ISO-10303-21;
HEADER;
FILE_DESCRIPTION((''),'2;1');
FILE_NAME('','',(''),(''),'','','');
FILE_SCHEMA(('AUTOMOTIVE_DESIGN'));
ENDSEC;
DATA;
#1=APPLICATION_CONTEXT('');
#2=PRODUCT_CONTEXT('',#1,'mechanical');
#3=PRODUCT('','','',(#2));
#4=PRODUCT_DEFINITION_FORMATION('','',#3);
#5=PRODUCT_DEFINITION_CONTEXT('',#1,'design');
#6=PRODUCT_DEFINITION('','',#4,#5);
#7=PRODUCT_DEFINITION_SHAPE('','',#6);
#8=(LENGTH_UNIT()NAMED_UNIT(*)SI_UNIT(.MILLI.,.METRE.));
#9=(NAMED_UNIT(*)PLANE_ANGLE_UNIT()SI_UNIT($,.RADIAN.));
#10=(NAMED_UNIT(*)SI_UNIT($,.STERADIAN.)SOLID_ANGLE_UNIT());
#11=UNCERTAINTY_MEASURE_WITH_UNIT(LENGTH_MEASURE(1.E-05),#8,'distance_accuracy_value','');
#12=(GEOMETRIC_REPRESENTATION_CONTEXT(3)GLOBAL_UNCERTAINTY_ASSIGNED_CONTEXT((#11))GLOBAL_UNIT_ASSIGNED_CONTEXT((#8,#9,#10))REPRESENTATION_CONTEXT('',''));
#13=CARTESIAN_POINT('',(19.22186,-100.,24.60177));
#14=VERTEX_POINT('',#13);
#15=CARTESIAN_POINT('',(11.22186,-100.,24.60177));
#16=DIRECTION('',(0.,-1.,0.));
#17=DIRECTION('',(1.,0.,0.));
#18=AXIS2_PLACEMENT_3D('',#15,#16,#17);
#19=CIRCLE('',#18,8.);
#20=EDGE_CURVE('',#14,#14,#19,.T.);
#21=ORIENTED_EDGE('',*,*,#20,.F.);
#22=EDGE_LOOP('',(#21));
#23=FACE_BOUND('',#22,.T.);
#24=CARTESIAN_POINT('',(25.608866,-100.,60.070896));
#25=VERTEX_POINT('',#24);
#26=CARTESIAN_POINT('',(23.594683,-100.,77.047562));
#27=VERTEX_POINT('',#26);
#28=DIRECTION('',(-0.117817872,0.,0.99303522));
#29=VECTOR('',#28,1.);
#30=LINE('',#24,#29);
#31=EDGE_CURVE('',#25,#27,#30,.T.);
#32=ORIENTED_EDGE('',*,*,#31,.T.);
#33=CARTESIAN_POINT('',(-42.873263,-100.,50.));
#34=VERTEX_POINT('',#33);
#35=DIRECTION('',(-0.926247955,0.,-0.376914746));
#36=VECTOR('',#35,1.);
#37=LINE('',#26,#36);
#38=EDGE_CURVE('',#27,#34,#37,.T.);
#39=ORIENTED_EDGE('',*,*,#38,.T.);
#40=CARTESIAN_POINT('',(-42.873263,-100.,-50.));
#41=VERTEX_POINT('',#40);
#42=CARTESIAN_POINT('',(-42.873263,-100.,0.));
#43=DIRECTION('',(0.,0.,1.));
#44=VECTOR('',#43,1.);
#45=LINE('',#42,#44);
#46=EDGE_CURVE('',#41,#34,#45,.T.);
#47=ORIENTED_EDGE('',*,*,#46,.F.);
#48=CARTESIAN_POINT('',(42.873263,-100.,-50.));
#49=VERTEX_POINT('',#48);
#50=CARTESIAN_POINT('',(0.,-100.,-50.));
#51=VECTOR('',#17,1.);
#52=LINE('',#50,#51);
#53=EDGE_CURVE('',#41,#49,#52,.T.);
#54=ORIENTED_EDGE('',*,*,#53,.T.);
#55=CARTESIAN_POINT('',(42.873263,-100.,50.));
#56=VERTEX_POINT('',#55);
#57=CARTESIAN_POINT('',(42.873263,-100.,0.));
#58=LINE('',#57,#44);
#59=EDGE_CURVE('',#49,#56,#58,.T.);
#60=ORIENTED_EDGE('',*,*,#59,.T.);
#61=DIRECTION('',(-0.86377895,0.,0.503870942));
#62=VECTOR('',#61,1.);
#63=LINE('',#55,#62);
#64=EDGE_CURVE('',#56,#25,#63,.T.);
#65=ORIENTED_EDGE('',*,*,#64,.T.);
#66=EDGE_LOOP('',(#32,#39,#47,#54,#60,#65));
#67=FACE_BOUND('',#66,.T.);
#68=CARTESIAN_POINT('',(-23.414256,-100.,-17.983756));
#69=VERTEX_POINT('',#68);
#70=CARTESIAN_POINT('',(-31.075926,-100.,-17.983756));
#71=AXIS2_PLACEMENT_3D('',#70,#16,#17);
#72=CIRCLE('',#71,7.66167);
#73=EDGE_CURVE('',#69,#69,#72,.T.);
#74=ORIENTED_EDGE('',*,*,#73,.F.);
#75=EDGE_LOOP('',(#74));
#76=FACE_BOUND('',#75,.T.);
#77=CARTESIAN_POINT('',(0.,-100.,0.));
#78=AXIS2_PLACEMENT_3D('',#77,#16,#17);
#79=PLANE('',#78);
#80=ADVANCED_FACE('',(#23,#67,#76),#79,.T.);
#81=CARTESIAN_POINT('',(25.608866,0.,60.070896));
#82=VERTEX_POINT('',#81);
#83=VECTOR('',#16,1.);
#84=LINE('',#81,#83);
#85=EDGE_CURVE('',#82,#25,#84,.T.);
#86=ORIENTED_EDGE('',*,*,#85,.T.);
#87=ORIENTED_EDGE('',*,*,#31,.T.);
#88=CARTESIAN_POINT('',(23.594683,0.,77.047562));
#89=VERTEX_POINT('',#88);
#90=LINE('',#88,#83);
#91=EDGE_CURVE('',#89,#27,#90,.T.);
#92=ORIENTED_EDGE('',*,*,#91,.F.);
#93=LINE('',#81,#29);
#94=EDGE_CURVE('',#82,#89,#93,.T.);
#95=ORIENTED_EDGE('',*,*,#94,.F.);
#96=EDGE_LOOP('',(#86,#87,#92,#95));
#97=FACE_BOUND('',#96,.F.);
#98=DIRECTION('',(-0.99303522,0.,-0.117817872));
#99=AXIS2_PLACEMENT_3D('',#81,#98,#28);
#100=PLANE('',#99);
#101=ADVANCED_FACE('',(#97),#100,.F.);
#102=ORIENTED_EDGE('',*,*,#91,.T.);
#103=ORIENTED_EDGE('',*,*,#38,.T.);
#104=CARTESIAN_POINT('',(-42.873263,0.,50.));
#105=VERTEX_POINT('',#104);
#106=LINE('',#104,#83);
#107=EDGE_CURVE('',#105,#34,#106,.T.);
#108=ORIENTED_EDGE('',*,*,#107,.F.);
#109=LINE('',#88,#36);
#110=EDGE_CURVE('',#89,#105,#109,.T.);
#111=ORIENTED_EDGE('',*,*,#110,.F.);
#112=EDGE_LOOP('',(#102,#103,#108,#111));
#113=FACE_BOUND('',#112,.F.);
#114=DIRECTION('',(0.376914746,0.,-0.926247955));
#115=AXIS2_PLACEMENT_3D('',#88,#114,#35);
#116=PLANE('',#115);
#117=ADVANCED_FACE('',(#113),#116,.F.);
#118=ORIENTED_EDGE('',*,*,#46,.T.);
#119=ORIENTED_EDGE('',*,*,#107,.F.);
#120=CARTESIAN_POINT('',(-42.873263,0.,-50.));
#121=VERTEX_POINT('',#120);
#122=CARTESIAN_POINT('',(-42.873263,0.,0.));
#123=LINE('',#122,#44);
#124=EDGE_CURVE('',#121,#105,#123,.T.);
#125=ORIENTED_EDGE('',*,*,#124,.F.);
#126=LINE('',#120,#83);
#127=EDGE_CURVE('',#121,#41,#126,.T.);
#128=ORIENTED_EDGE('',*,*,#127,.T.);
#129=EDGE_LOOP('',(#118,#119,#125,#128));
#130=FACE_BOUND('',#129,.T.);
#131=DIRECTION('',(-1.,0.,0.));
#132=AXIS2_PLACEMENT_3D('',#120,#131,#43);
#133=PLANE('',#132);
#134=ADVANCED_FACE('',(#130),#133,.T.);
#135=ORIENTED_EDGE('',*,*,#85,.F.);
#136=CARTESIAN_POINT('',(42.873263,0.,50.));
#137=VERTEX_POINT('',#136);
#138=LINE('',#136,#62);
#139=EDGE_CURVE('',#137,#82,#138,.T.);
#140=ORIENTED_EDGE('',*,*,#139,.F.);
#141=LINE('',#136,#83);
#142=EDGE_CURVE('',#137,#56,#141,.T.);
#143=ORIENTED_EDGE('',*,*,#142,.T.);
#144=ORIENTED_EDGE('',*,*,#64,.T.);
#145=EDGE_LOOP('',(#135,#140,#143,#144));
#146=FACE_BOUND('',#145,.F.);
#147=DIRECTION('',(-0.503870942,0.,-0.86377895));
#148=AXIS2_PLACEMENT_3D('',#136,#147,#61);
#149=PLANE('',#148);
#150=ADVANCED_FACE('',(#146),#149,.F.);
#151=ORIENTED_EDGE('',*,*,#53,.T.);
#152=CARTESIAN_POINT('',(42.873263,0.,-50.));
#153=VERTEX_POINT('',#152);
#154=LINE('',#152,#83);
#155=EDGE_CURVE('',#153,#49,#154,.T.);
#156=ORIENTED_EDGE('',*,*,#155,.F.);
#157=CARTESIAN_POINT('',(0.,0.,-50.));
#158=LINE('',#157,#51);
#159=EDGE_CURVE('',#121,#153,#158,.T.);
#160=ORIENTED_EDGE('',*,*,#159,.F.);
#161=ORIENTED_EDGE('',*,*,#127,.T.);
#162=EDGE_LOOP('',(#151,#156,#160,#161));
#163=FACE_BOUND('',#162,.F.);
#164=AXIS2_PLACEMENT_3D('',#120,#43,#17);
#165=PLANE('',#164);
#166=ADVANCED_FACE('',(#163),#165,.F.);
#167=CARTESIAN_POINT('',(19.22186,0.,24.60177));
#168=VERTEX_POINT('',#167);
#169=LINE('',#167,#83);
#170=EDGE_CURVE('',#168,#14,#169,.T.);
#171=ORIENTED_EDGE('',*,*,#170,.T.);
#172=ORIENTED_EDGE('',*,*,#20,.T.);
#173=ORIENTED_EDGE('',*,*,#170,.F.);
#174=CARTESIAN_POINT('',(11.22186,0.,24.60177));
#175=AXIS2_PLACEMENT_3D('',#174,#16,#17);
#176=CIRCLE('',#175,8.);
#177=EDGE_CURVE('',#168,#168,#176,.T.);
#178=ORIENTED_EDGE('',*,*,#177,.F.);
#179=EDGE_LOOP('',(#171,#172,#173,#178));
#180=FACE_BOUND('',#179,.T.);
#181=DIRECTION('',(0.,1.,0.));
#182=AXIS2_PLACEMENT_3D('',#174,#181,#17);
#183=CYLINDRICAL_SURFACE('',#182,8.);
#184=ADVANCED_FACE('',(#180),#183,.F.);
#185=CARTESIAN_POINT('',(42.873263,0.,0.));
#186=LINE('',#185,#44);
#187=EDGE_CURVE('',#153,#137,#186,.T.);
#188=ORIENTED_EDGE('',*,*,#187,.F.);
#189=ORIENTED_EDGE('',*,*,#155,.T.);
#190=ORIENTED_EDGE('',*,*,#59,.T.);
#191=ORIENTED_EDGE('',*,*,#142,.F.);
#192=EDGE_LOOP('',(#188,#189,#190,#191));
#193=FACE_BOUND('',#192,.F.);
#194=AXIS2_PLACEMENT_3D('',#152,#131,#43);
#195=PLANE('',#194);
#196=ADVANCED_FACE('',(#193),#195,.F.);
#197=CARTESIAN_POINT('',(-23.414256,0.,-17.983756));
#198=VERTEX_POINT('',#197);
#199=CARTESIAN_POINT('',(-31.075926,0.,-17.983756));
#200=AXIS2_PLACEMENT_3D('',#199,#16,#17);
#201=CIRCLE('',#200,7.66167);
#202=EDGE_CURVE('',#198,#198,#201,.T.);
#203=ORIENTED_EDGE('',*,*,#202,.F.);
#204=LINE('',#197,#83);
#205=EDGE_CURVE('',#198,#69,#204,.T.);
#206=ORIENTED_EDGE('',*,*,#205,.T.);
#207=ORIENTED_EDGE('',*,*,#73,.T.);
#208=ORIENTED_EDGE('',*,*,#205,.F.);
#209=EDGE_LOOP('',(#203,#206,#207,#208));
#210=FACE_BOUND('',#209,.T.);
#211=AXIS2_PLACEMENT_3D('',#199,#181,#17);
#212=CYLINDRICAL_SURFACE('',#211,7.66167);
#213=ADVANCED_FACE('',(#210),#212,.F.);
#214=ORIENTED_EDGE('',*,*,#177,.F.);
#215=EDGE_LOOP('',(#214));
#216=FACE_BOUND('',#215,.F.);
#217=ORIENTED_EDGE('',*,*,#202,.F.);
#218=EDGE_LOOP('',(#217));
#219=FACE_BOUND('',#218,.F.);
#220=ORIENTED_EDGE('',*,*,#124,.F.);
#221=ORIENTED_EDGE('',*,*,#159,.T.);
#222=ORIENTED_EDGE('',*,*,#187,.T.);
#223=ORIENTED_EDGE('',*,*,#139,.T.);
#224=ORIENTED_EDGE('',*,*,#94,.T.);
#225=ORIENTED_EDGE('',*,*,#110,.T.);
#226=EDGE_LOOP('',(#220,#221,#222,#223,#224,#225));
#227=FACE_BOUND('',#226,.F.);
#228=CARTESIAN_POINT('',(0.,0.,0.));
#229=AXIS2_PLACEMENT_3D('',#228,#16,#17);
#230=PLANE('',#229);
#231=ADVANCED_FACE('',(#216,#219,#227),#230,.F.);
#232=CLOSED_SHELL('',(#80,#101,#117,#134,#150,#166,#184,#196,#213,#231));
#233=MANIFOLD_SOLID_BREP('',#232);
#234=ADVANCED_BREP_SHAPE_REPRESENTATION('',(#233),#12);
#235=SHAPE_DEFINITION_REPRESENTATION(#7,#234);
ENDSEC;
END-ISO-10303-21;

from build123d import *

# Parameters (mm, degrees)
F0_W     = 85.746526
F0_H     = 100
F0_R     = 7.66167
F0_R_2   = 8
F1_DEPTH = 100


with BuildPart() as f1:
    # F0 (on Front) → F1 (new body)
    with BuildSketch(Plane.XZ):
        Rectangle(F0_W, F0_H)
        with Locations((-31.075926, -17.983756)):
            Circle(F0_R, mode=Mode.SUBTRACT)
        with Locations((11.22186, 24.60177)):
            Circle(F0_R_2, mode=Mode.SUBTRACT)
        Polygon((-42.873263, 50), (42.873263, 50), (25.608866, 60.070896), (23.594683, 77.047562), align=None)
    extrude(amount=F1_DEPTH)


solid = f1.part
